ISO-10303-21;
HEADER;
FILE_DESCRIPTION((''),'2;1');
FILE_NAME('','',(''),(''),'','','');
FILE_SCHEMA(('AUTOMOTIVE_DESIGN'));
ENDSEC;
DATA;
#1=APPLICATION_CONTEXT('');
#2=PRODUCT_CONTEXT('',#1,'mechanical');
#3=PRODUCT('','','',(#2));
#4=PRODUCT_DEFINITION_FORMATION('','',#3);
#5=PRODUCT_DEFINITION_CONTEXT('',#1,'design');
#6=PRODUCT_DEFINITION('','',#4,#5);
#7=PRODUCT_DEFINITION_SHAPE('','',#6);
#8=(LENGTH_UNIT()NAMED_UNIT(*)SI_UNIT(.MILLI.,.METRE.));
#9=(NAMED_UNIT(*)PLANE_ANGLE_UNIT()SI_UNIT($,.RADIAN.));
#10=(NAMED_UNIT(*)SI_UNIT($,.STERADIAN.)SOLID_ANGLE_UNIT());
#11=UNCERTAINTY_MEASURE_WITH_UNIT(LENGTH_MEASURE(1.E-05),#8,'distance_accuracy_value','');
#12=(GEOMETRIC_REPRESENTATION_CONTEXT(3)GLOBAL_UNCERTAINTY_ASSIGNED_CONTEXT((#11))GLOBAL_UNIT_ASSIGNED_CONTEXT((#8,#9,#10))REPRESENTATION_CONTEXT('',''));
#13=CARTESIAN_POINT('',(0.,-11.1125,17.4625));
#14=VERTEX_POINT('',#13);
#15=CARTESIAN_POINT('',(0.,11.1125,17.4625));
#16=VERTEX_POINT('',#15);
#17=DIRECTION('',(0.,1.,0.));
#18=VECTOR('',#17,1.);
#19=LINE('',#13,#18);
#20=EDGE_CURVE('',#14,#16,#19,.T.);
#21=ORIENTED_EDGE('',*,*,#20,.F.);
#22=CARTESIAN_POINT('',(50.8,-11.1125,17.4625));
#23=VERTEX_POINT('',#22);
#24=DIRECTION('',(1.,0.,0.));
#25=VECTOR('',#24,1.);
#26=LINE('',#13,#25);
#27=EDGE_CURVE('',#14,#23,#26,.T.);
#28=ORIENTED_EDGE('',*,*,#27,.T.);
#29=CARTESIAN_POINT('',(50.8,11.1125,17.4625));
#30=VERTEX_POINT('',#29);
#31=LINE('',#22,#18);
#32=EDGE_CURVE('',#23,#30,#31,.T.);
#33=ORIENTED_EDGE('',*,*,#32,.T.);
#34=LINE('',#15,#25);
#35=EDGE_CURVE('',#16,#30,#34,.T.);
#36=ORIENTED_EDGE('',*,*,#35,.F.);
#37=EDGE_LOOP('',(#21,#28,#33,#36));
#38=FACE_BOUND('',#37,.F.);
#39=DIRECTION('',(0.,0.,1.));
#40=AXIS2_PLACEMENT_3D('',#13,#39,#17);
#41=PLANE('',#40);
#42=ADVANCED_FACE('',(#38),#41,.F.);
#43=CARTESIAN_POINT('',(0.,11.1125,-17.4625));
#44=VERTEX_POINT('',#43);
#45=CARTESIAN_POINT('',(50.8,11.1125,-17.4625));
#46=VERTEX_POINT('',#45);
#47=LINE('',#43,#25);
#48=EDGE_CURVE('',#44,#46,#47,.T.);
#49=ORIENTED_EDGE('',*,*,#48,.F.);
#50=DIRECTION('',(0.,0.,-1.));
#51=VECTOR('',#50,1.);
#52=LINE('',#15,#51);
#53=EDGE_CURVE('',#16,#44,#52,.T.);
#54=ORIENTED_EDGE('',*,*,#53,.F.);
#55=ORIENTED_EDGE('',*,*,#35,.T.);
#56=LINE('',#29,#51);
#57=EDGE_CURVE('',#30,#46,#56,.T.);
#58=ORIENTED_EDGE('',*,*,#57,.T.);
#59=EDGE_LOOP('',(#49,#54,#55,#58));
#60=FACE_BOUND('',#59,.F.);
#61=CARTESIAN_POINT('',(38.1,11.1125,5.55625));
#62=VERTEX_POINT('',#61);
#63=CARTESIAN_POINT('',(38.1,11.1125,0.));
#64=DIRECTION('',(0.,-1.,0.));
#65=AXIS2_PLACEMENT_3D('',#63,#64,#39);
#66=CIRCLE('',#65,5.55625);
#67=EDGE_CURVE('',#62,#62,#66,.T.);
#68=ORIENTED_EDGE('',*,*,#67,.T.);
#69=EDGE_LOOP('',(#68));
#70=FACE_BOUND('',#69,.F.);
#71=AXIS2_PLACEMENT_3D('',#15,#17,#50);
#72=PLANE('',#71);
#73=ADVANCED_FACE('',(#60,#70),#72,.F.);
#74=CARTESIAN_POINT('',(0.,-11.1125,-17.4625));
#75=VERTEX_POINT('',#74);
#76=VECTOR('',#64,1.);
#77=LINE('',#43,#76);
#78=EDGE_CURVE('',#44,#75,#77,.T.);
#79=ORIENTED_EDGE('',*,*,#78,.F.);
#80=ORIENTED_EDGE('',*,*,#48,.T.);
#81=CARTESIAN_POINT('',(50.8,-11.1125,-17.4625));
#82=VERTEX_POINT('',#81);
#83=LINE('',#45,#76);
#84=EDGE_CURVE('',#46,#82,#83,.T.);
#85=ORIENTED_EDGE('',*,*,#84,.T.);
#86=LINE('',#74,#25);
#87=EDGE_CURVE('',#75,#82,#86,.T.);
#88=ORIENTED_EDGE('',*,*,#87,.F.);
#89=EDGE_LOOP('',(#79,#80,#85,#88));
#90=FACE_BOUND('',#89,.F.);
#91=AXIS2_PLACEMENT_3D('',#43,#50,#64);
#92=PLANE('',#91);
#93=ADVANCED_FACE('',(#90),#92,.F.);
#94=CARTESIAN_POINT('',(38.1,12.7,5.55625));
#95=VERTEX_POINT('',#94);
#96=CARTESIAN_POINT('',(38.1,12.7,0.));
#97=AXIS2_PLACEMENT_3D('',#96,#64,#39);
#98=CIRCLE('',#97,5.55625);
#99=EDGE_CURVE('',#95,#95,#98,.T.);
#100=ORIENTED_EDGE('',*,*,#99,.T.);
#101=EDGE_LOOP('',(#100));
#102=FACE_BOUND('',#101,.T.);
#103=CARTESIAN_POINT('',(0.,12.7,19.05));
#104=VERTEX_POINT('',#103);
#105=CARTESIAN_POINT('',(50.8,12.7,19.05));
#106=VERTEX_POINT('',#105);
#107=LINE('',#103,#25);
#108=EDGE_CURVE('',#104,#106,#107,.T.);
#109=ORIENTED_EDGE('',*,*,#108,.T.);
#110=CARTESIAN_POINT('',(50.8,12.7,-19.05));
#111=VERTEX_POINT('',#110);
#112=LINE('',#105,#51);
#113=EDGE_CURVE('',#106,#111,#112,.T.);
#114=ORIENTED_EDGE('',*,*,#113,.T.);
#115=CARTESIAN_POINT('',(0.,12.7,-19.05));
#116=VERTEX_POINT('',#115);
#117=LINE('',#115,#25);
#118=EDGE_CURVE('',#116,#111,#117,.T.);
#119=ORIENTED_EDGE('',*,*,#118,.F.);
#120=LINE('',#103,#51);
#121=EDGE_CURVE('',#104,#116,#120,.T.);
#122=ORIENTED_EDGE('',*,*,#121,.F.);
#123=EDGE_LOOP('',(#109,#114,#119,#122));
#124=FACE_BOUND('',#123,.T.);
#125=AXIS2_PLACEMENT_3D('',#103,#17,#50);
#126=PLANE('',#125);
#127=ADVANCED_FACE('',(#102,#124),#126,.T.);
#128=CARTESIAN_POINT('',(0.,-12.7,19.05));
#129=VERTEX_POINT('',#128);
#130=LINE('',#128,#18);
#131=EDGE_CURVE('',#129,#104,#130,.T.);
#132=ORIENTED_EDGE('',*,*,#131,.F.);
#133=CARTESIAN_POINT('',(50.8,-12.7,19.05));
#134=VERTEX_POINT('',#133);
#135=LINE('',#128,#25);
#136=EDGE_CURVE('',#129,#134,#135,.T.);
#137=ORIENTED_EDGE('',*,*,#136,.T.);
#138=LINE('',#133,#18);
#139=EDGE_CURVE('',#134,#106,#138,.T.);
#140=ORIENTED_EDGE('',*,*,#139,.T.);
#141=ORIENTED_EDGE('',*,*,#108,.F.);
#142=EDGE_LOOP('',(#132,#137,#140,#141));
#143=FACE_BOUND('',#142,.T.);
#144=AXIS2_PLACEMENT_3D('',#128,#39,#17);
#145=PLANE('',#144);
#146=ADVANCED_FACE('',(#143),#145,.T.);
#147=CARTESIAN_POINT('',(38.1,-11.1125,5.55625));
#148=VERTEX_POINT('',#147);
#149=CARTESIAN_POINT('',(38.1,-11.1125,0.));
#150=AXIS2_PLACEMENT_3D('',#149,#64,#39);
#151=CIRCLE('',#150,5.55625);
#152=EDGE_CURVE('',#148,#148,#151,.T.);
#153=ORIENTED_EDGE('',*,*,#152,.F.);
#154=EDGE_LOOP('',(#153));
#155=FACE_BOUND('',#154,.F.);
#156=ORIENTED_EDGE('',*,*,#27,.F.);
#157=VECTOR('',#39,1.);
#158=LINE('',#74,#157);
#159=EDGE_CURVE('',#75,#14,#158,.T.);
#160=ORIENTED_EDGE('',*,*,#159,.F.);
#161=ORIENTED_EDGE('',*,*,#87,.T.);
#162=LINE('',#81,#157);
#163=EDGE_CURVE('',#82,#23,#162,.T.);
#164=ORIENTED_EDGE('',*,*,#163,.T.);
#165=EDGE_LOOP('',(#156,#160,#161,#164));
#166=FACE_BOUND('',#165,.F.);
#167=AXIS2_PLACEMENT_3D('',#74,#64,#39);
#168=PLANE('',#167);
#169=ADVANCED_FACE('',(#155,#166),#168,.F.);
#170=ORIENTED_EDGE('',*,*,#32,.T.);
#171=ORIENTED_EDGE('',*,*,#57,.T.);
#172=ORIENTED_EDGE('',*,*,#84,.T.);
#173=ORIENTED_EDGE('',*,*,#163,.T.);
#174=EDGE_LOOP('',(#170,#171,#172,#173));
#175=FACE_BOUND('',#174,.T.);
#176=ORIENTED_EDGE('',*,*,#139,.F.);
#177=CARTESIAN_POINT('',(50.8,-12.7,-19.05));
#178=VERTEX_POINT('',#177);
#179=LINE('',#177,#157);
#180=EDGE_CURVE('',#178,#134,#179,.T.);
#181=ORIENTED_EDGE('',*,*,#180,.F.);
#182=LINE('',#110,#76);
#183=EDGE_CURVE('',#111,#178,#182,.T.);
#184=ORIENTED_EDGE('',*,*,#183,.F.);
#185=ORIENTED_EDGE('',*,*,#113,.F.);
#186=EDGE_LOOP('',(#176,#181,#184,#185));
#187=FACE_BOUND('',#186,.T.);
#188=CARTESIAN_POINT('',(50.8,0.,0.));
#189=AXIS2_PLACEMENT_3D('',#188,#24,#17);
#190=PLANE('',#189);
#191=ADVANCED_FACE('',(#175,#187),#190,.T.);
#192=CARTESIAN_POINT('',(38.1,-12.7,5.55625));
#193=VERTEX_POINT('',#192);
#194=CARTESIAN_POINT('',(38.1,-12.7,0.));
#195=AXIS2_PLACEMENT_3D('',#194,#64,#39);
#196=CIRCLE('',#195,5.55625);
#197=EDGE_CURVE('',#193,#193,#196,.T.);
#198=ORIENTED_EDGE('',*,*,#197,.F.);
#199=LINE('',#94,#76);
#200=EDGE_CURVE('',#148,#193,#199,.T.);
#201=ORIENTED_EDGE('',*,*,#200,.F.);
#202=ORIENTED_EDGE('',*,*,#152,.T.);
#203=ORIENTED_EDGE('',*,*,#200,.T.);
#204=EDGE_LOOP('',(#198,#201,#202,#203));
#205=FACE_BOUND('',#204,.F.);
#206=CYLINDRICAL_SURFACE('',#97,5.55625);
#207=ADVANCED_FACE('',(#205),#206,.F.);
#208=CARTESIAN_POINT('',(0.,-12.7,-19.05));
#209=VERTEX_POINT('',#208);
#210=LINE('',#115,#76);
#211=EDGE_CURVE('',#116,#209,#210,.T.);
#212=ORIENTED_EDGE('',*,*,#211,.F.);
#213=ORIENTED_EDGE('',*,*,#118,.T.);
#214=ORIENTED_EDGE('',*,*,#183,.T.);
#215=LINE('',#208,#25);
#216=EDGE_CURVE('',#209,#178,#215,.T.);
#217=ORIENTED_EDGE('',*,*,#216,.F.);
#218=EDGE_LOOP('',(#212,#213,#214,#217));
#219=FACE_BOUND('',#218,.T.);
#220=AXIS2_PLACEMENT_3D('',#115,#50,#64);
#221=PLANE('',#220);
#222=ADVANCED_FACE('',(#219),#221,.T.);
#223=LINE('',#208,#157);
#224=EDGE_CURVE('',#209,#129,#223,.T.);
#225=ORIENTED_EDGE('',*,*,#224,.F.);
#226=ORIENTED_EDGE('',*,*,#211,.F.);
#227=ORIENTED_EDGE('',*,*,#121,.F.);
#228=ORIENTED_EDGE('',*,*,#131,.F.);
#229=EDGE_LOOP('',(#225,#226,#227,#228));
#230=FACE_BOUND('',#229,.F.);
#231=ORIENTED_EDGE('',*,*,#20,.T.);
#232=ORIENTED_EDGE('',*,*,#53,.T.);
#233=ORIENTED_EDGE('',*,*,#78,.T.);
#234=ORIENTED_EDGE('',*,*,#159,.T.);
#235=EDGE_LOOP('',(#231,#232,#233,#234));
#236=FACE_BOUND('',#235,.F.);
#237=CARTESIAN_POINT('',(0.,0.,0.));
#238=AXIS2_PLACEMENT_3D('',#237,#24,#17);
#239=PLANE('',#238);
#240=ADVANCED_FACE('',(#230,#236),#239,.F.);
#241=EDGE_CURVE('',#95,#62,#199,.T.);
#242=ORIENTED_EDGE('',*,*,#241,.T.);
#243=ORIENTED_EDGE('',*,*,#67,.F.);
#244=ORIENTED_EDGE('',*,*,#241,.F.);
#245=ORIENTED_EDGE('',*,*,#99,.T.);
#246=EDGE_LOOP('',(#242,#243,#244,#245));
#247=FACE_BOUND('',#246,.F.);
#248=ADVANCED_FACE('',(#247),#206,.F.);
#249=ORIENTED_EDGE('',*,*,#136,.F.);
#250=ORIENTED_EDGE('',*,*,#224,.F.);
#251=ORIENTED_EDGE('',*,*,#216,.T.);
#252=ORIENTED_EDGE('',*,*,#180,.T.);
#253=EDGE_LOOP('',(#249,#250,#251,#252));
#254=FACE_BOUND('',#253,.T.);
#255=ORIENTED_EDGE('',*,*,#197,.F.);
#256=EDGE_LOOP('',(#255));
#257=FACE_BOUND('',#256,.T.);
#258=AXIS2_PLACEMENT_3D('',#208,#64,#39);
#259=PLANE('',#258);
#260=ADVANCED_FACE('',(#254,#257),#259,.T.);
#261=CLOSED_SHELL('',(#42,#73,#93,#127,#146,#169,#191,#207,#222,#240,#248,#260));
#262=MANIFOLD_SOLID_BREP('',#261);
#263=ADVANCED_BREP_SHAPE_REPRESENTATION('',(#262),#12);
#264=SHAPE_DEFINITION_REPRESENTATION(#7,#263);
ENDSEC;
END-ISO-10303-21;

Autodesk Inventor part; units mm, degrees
ref_plane "Work Plane3" through (0, 12.7, 0) normal (0, 1, 0) x (-1, 0, 0)
ref_plane "Start Plane" through (0, 0, 0) normal (1, 0, 0) x (0, 1, 0)
ref_plane "End Plane" through (50.8, 0, 0) normal (1, 0, 0) x (0, 1, 0)
sketch "Sketch" plane through (0, 0, 0) normal (1, 0, 0) x (0, 1, 0)
  line L0 (-12.7, 19.05) -> (12.7, 19.05)
  line L1 (12.7, 19.05) -> (12.7, -19.05)
  line L2 (12.7, -19.05) -> (-12.7, -19.05)
  line L3 (-12.7, -19.05) -> (-12.7, 19.05)
  line L4 (-12.7, 19.05) -> (12.7, -19.05) construction
  line L5 (12.7, 19.05) -> (-12.7, -19.05) construction
  line L6 (-11.1125, 17.4625) -> (11.1125, 17.4625)
  line L7 (11.1125, 17.4625) -> (11.1125, -17.4625)
  line L8 (11.1125, -17.4625) -> (-11.1125, -17.4625)
  line L9 (-11.1125, -17.4625) -> (-11.1125, 17.4625)
  line L10 (-11.1125, 17.4625) -> (11.1125, -17.4625) construction
  line L11 (11.1125, 17.4625) -> (-11.1125, -17.4625) construction
  point P0 (0, 0)
  dimension "d0" = 38.1
  dimension "d1" = 25.4
  dimension "d2" = 1.5875
  dimension "d3" = 1.5875
extrude "Body" add sketch "Sketch" along normal up to surface (50.8 mm away) from surface at 0
sketch "Sketch8" plane through (0, 0, 0) normal (1, 0, 0) x (0, 1, 0)
  line L0 (0, 0) -> (10, 0)
ref_plane "Work Plane6" through (0, 0, 0) normal (0, 0, -1) x (0, 1, 0)
sketch "Sketch9" plane through (0, 0, 0) normal (0, 0, -1) x (0, 1, 0)
  line L0 (-17.78, 0) -> (17.78, 0)
  line L1 (-17.78, 50.8) -> (17.78, 50.8)
  dimension "d21" = 50.8
sketch "Sketch5" plane through (0, 12.7, -19.05) normal (0, 1, 0) x (1, 0, 0)
  line L0 (0, -38.1) -> (0, 0) projected
  point P0 (0, -19.05)
  point P1 (38.1, -19.05)
  dimension "d22" = 38.1
hole "Hole2" at (38.1, 12.7, 0) direction (0, -1, 0) diameter 11.1125 end through all
equation "\"d3\" = d2"
equation "\"G_OFFSET_START\" = 0"
equation "\"G_OFFSET_END\" = 0"
equation "\"d17\" = d4 + G_OFFSET_END"
equation "\"G_L\" = d21"
equation "\"d4\" = 50.8"
properties part number "1606067213194"
